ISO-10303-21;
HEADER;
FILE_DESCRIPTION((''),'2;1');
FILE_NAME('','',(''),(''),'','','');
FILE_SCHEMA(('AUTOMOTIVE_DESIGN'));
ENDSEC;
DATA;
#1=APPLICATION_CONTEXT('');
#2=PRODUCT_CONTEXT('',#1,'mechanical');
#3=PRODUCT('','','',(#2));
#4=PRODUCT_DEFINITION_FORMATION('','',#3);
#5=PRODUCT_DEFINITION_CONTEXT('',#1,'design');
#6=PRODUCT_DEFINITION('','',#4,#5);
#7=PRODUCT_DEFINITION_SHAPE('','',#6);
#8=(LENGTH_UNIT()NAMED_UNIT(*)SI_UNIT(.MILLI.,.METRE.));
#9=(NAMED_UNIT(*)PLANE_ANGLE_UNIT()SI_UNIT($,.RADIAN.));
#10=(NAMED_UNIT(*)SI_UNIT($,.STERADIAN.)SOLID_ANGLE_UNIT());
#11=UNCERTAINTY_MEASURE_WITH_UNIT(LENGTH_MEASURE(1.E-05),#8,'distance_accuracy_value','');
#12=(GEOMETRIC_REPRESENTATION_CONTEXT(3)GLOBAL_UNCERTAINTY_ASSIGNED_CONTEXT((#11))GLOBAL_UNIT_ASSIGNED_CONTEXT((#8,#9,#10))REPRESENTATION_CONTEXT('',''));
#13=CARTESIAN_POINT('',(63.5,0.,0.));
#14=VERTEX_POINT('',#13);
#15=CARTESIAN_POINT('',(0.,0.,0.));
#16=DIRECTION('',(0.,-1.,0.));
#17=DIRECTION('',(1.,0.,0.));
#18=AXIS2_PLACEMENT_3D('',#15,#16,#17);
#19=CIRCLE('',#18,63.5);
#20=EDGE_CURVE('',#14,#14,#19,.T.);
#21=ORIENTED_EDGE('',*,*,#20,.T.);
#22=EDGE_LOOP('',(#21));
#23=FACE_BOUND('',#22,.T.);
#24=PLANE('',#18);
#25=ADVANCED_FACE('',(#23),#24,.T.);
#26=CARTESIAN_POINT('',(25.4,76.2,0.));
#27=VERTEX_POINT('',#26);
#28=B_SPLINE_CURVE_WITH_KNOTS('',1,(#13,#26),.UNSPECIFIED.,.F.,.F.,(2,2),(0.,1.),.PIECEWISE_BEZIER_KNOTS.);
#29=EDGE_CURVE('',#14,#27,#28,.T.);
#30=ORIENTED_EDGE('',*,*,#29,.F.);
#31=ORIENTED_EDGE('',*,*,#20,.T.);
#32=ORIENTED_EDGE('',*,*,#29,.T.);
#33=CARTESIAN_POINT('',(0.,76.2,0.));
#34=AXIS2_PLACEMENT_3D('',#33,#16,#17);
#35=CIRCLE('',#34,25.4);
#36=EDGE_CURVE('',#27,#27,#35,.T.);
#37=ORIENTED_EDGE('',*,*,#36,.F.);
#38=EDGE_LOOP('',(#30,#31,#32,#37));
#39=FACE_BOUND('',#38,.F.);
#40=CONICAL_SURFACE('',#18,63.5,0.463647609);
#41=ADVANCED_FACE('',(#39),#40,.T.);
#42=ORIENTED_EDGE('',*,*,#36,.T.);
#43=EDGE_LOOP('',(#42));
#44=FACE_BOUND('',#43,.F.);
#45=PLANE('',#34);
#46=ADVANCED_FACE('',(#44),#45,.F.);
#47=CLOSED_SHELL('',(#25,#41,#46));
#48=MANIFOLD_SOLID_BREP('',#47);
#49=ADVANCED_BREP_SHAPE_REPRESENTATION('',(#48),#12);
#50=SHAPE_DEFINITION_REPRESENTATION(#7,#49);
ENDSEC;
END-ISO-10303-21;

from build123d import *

# Parameters (mm, degrees)
F0_R = 63.5
F2_R = 25.4


with BuildPart() as f3:
    # F0 (on Front) → F3 section 0
    with BuildSketch(Plane.XZ):
        Circle(F0_R)
    # F2 (on offset) → F3 section 1
    with BuildSketch(Plane.XZ.offset(-76.2)):
        Circle(F2_R)
    loft()


solid = f3.part
